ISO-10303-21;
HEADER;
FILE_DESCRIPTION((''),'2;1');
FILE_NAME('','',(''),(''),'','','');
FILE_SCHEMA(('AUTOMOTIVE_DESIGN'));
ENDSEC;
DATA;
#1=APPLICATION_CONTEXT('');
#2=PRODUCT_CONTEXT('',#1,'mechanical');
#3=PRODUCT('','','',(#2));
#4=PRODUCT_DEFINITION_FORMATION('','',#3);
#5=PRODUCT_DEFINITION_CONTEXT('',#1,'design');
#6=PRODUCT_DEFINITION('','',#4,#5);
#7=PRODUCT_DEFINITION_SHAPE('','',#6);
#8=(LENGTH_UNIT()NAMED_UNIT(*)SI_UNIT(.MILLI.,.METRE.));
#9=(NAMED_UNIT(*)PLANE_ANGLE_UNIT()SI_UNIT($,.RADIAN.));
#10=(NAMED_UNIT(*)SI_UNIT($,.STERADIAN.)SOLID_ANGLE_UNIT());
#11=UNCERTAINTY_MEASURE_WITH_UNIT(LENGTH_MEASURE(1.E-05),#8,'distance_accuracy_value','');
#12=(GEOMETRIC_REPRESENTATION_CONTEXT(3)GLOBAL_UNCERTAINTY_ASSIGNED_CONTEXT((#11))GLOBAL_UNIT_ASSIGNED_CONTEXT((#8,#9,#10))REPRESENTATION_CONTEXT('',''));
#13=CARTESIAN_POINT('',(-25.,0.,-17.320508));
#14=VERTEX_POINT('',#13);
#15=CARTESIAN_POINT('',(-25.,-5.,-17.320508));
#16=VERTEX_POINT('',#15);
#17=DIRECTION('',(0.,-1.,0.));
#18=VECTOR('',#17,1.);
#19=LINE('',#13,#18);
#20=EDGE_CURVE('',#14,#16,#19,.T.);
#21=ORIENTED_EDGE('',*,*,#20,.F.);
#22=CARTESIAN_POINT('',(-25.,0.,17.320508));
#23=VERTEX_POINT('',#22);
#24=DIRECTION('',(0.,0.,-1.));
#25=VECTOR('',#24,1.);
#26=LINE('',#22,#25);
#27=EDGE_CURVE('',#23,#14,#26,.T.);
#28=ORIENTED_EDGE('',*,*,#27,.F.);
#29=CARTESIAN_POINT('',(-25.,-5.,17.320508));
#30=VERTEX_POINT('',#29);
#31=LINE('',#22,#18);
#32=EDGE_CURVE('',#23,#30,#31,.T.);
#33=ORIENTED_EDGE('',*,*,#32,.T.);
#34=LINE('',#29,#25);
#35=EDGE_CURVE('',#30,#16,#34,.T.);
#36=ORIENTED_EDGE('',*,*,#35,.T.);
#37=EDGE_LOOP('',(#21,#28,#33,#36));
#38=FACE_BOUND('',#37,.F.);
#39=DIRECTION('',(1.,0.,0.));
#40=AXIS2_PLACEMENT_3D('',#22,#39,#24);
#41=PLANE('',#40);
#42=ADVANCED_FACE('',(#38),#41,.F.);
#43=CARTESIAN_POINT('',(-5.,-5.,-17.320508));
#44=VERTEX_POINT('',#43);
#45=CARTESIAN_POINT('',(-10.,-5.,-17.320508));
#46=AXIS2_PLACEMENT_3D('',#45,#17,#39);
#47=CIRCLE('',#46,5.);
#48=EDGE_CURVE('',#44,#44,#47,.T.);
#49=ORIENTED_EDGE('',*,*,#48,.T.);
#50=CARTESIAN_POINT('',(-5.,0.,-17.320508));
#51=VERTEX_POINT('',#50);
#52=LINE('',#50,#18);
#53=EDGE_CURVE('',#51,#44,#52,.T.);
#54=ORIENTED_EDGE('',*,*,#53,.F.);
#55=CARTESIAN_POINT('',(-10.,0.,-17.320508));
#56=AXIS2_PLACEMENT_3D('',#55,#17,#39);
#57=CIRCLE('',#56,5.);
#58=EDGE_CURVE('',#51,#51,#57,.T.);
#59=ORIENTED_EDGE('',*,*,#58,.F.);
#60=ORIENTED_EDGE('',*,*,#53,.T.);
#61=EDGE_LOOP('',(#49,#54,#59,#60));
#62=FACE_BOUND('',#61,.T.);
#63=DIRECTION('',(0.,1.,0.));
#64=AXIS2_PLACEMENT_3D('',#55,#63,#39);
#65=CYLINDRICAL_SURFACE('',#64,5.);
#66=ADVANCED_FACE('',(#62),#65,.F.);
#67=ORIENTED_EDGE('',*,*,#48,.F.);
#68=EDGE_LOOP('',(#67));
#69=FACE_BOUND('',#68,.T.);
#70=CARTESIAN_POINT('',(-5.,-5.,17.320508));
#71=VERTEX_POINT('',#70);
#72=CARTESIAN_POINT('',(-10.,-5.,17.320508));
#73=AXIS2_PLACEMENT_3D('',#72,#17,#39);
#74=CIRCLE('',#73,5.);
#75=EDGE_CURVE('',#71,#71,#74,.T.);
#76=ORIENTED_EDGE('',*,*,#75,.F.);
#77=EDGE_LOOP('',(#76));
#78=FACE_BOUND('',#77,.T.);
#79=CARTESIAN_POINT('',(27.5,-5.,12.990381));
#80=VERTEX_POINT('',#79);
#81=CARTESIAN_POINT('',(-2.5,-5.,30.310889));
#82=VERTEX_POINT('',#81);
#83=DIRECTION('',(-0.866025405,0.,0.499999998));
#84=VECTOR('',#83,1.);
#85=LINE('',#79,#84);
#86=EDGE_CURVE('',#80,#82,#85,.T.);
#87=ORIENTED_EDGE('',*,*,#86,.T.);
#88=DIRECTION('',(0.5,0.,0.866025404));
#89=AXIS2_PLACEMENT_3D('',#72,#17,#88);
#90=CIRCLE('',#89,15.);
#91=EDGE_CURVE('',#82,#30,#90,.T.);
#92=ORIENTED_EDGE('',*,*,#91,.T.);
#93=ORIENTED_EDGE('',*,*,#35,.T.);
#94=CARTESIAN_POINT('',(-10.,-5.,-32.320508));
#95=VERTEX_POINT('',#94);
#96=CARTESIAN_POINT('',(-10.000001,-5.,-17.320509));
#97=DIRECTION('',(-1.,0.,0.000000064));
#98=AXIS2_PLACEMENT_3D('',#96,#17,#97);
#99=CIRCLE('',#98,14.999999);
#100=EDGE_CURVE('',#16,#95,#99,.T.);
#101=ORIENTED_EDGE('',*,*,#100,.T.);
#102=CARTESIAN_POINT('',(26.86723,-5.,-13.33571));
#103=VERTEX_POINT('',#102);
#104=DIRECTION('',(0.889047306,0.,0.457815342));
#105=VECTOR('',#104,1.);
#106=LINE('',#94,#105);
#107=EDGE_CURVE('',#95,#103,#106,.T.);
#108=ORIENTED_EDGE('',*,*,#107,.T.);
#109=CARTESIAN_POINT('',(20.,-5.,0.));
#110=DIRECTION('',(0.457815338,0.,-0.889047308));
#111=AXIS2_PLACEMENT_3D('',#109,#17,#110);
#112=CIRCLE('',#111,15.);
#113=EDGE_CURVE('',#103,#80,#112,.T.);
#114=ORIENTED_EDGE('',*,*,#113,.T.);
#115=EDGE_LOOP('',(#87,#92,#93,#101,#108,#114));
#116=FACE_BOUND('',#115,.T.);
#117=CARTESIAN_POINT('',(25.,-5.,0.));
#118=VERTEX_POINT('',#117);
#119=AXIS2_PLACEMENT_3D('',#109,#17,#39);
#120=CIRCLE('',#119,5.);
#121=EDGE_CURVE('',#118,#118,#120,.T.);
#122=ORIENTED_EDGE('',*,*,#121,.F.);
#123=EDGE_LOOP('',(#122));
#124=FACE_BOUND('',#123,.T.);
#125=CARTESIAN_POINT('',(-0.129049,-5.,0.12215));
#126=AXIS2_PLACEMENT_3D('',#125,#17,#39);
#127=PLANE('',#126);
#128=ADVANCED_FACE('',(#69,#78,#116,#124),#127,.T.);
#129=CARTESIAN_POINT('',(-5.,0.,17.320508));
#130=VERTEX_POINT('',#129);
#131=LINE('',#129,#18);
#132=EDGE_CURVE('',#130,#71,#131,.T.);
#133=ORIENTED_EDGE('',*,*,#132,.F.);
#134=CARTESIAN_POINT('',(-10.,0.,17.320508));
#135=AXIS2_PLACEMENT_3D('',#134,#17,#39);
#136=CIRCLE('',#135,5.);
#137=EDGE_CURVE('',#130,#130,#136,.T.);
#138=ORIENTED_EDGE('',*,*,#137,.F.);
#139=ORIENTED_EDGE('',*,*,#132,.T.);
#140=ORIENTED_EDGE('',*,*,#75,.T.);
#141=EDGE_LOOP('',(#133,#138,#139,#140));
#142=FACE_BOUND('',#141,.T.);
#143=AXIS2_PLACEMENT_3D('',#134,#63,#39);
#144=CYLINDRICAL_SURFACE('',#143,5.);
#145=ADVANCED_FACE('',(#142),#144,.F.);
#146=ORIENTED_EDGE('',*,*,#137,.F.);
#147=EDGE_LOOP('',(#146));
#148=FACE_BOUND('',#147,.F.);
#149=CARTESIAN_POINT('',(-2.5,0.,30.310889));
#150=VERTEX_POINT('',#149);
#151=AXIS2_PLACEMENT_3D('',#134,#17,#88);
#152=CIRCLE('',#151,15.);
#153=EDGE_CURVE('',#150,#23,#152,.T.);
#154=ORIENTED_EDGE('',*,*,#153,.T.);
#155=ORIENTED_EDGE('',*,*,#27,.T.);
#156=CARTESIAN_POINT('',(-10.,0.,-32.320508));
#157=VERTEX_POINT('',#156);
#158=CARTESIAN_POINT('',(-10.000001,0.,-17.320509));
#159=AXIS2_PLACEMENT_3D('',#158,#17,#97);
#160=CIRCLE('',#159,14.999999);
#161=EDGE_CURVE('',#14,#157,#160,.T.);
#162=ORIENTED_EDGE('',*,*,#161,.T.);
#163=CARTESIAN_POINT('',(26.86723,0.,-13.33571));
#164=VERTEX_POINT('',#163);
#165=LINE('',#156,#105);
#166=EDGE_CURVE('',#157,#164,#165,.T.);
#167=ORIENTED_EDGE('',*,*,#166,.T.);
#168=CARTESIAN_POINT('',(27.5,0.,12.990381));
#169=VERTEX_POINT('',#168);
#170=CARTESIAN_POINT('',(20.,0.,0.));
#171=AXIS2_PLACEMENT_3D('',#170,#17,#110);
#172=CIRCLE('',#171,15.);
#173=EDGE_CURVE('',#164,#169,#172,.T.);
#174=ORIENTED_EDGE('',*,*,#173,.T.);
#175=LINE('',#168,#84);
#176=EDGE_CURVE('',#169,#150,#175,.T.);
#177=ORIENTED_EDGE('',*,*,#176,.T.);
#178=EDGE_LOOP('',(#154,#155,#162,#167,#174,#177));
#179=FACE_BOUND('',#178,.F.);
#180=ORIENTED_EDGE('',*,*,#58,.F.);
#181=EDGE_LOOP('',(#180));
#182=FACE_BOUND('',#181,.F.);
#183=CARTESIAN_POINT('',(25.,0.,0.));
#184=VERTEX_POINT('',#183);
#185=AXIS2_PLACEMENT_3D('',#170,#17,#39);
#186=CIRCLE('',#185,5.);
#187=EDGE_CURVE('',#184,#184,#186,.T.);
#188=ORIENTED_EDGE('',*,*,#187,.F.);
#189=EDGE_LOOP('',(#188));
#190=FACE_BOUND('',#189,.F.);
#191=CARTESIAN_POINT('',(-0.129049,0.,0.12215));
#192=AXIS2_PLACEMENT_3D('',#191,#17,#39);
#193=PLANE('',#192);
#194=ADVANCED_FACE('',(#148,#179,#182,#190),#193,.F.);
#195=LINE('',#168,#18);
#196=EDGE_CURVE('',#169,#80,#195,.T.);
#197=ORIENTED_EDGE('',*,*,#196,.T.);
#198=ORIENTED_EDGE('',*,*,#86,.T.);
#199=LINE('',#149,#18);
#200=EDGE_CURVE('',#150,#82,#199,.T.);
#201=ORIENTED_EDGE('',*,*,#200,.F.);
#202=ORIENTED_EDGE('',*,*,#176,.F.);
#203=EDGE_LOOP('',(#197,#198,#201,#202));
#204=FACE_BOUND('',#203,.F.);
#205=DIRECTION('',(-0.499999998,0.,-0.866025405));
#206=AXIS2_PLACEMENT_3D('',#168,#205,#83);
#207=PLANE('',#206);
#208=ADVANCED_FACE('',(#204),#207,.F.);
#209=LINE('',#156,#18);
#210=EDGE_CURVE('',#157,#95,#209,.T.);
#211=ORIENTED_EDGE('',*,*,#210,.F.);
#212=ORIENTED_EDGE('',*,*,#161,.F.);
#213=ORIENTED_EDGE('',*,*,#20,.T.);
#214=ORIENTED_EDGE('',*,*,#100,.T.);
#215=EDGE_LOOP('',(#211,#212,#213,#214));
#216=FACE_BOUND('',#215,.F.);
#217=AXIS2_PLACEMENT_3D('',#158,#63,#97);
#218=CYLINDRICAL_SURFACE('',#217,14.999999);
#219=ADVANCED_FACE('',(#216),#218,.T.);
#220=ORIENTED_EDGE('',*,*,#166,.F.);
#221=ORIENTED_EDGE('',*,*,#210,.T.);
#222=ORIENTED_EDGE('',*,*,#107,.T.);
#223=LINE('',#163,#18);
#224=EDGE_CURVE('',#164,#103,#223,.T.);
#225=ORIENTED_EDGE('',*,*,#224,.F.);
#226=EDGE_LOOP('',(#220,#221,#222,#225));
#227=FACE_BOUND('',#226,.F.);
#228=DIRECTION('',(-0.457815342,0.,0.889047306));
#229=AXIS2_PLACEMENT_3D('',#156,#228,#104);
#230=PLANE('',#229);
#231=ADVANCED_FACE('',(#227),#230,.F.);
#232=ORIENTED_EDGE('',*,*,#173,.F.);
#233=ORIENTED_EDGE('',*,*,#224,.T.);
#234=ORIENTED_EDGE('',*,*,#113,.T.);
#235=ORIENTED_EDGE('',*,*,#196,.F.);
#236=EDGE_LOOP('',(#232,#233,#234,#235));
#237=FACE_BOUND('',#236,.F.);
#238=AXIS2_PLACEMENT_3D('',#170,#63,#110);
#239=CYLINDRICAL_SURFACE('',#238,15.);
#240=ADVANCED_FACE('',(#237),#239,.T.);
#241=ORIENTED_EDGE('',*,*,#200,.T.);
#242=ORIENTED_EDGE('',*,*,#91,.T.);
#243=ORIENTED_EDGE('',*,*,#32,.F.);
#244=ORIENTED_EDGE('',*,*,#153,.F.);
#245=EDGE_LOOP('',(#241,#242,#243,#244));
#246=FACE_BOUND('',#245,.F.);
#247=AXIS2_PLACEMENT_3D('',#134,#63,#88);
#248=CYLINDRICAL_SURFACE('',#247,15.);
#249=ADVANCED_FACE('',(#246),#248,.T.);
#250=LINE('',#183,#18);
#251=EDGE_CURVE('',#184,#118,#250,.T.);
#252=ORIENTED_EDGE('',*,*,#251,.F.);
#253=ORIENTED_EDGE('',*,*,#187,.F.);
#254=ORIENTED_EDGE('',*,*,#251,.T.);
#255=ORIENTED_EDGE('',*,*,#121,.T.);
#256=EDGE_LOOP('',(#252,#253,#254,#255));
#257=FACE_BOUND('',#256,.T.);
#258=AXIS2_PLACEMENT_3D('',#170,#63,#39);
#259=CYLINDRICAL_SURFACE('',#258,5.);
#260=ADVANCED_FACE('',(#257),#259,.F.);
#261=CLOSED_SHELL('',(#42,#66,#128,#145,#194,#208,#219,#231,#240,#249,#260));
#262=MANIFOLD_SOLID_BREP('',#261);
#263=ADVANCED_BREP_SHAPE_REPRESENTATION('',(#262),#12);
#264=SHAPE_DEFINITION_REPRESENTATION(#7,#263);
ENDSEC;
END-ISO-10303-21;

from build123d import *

# Parameters (mm, degrees)
F0_R     = 5
F1_DEPTH = 5


with BuildPart() as f1:
    # F0 (on Front) → F1 (new body)
    with BuildSketch(Plane.XZ):
        with BuildLine():
            ThreePointArc((26.86723, -13.33571), (34.995669, -0.360434), (27.5, 12.990381))
            Line((27.5, 12.990381), (-2.5, 30.310889))
            ThreePointArc((-2.5, 30.310889), (-17.5, 30.310889), (-25, 17.320508))
            Line((-25, 17.320508), (-25, -17.320508))
            ThreePointArc((-25, -17.320508), (-20.606602, -27.92711), (-10, -32.320508))
            Line((-10, -32.320508), (26.86723, -13.33571))
        make_face()
        with Locations((-10, -17.320508)):
            Circle(F0_R, mode=Mode.SUBTRACT)
        with Locations((-10, 17.320508)):
            Circle(F0_R, mode=Mode.SUBTRACT)
        with Locations((20, 0)):
            Circle(F0_R, mode=Mode.SUBTRACT)
    extrude(amount=F1_DEPTH)


solid = f1.part
